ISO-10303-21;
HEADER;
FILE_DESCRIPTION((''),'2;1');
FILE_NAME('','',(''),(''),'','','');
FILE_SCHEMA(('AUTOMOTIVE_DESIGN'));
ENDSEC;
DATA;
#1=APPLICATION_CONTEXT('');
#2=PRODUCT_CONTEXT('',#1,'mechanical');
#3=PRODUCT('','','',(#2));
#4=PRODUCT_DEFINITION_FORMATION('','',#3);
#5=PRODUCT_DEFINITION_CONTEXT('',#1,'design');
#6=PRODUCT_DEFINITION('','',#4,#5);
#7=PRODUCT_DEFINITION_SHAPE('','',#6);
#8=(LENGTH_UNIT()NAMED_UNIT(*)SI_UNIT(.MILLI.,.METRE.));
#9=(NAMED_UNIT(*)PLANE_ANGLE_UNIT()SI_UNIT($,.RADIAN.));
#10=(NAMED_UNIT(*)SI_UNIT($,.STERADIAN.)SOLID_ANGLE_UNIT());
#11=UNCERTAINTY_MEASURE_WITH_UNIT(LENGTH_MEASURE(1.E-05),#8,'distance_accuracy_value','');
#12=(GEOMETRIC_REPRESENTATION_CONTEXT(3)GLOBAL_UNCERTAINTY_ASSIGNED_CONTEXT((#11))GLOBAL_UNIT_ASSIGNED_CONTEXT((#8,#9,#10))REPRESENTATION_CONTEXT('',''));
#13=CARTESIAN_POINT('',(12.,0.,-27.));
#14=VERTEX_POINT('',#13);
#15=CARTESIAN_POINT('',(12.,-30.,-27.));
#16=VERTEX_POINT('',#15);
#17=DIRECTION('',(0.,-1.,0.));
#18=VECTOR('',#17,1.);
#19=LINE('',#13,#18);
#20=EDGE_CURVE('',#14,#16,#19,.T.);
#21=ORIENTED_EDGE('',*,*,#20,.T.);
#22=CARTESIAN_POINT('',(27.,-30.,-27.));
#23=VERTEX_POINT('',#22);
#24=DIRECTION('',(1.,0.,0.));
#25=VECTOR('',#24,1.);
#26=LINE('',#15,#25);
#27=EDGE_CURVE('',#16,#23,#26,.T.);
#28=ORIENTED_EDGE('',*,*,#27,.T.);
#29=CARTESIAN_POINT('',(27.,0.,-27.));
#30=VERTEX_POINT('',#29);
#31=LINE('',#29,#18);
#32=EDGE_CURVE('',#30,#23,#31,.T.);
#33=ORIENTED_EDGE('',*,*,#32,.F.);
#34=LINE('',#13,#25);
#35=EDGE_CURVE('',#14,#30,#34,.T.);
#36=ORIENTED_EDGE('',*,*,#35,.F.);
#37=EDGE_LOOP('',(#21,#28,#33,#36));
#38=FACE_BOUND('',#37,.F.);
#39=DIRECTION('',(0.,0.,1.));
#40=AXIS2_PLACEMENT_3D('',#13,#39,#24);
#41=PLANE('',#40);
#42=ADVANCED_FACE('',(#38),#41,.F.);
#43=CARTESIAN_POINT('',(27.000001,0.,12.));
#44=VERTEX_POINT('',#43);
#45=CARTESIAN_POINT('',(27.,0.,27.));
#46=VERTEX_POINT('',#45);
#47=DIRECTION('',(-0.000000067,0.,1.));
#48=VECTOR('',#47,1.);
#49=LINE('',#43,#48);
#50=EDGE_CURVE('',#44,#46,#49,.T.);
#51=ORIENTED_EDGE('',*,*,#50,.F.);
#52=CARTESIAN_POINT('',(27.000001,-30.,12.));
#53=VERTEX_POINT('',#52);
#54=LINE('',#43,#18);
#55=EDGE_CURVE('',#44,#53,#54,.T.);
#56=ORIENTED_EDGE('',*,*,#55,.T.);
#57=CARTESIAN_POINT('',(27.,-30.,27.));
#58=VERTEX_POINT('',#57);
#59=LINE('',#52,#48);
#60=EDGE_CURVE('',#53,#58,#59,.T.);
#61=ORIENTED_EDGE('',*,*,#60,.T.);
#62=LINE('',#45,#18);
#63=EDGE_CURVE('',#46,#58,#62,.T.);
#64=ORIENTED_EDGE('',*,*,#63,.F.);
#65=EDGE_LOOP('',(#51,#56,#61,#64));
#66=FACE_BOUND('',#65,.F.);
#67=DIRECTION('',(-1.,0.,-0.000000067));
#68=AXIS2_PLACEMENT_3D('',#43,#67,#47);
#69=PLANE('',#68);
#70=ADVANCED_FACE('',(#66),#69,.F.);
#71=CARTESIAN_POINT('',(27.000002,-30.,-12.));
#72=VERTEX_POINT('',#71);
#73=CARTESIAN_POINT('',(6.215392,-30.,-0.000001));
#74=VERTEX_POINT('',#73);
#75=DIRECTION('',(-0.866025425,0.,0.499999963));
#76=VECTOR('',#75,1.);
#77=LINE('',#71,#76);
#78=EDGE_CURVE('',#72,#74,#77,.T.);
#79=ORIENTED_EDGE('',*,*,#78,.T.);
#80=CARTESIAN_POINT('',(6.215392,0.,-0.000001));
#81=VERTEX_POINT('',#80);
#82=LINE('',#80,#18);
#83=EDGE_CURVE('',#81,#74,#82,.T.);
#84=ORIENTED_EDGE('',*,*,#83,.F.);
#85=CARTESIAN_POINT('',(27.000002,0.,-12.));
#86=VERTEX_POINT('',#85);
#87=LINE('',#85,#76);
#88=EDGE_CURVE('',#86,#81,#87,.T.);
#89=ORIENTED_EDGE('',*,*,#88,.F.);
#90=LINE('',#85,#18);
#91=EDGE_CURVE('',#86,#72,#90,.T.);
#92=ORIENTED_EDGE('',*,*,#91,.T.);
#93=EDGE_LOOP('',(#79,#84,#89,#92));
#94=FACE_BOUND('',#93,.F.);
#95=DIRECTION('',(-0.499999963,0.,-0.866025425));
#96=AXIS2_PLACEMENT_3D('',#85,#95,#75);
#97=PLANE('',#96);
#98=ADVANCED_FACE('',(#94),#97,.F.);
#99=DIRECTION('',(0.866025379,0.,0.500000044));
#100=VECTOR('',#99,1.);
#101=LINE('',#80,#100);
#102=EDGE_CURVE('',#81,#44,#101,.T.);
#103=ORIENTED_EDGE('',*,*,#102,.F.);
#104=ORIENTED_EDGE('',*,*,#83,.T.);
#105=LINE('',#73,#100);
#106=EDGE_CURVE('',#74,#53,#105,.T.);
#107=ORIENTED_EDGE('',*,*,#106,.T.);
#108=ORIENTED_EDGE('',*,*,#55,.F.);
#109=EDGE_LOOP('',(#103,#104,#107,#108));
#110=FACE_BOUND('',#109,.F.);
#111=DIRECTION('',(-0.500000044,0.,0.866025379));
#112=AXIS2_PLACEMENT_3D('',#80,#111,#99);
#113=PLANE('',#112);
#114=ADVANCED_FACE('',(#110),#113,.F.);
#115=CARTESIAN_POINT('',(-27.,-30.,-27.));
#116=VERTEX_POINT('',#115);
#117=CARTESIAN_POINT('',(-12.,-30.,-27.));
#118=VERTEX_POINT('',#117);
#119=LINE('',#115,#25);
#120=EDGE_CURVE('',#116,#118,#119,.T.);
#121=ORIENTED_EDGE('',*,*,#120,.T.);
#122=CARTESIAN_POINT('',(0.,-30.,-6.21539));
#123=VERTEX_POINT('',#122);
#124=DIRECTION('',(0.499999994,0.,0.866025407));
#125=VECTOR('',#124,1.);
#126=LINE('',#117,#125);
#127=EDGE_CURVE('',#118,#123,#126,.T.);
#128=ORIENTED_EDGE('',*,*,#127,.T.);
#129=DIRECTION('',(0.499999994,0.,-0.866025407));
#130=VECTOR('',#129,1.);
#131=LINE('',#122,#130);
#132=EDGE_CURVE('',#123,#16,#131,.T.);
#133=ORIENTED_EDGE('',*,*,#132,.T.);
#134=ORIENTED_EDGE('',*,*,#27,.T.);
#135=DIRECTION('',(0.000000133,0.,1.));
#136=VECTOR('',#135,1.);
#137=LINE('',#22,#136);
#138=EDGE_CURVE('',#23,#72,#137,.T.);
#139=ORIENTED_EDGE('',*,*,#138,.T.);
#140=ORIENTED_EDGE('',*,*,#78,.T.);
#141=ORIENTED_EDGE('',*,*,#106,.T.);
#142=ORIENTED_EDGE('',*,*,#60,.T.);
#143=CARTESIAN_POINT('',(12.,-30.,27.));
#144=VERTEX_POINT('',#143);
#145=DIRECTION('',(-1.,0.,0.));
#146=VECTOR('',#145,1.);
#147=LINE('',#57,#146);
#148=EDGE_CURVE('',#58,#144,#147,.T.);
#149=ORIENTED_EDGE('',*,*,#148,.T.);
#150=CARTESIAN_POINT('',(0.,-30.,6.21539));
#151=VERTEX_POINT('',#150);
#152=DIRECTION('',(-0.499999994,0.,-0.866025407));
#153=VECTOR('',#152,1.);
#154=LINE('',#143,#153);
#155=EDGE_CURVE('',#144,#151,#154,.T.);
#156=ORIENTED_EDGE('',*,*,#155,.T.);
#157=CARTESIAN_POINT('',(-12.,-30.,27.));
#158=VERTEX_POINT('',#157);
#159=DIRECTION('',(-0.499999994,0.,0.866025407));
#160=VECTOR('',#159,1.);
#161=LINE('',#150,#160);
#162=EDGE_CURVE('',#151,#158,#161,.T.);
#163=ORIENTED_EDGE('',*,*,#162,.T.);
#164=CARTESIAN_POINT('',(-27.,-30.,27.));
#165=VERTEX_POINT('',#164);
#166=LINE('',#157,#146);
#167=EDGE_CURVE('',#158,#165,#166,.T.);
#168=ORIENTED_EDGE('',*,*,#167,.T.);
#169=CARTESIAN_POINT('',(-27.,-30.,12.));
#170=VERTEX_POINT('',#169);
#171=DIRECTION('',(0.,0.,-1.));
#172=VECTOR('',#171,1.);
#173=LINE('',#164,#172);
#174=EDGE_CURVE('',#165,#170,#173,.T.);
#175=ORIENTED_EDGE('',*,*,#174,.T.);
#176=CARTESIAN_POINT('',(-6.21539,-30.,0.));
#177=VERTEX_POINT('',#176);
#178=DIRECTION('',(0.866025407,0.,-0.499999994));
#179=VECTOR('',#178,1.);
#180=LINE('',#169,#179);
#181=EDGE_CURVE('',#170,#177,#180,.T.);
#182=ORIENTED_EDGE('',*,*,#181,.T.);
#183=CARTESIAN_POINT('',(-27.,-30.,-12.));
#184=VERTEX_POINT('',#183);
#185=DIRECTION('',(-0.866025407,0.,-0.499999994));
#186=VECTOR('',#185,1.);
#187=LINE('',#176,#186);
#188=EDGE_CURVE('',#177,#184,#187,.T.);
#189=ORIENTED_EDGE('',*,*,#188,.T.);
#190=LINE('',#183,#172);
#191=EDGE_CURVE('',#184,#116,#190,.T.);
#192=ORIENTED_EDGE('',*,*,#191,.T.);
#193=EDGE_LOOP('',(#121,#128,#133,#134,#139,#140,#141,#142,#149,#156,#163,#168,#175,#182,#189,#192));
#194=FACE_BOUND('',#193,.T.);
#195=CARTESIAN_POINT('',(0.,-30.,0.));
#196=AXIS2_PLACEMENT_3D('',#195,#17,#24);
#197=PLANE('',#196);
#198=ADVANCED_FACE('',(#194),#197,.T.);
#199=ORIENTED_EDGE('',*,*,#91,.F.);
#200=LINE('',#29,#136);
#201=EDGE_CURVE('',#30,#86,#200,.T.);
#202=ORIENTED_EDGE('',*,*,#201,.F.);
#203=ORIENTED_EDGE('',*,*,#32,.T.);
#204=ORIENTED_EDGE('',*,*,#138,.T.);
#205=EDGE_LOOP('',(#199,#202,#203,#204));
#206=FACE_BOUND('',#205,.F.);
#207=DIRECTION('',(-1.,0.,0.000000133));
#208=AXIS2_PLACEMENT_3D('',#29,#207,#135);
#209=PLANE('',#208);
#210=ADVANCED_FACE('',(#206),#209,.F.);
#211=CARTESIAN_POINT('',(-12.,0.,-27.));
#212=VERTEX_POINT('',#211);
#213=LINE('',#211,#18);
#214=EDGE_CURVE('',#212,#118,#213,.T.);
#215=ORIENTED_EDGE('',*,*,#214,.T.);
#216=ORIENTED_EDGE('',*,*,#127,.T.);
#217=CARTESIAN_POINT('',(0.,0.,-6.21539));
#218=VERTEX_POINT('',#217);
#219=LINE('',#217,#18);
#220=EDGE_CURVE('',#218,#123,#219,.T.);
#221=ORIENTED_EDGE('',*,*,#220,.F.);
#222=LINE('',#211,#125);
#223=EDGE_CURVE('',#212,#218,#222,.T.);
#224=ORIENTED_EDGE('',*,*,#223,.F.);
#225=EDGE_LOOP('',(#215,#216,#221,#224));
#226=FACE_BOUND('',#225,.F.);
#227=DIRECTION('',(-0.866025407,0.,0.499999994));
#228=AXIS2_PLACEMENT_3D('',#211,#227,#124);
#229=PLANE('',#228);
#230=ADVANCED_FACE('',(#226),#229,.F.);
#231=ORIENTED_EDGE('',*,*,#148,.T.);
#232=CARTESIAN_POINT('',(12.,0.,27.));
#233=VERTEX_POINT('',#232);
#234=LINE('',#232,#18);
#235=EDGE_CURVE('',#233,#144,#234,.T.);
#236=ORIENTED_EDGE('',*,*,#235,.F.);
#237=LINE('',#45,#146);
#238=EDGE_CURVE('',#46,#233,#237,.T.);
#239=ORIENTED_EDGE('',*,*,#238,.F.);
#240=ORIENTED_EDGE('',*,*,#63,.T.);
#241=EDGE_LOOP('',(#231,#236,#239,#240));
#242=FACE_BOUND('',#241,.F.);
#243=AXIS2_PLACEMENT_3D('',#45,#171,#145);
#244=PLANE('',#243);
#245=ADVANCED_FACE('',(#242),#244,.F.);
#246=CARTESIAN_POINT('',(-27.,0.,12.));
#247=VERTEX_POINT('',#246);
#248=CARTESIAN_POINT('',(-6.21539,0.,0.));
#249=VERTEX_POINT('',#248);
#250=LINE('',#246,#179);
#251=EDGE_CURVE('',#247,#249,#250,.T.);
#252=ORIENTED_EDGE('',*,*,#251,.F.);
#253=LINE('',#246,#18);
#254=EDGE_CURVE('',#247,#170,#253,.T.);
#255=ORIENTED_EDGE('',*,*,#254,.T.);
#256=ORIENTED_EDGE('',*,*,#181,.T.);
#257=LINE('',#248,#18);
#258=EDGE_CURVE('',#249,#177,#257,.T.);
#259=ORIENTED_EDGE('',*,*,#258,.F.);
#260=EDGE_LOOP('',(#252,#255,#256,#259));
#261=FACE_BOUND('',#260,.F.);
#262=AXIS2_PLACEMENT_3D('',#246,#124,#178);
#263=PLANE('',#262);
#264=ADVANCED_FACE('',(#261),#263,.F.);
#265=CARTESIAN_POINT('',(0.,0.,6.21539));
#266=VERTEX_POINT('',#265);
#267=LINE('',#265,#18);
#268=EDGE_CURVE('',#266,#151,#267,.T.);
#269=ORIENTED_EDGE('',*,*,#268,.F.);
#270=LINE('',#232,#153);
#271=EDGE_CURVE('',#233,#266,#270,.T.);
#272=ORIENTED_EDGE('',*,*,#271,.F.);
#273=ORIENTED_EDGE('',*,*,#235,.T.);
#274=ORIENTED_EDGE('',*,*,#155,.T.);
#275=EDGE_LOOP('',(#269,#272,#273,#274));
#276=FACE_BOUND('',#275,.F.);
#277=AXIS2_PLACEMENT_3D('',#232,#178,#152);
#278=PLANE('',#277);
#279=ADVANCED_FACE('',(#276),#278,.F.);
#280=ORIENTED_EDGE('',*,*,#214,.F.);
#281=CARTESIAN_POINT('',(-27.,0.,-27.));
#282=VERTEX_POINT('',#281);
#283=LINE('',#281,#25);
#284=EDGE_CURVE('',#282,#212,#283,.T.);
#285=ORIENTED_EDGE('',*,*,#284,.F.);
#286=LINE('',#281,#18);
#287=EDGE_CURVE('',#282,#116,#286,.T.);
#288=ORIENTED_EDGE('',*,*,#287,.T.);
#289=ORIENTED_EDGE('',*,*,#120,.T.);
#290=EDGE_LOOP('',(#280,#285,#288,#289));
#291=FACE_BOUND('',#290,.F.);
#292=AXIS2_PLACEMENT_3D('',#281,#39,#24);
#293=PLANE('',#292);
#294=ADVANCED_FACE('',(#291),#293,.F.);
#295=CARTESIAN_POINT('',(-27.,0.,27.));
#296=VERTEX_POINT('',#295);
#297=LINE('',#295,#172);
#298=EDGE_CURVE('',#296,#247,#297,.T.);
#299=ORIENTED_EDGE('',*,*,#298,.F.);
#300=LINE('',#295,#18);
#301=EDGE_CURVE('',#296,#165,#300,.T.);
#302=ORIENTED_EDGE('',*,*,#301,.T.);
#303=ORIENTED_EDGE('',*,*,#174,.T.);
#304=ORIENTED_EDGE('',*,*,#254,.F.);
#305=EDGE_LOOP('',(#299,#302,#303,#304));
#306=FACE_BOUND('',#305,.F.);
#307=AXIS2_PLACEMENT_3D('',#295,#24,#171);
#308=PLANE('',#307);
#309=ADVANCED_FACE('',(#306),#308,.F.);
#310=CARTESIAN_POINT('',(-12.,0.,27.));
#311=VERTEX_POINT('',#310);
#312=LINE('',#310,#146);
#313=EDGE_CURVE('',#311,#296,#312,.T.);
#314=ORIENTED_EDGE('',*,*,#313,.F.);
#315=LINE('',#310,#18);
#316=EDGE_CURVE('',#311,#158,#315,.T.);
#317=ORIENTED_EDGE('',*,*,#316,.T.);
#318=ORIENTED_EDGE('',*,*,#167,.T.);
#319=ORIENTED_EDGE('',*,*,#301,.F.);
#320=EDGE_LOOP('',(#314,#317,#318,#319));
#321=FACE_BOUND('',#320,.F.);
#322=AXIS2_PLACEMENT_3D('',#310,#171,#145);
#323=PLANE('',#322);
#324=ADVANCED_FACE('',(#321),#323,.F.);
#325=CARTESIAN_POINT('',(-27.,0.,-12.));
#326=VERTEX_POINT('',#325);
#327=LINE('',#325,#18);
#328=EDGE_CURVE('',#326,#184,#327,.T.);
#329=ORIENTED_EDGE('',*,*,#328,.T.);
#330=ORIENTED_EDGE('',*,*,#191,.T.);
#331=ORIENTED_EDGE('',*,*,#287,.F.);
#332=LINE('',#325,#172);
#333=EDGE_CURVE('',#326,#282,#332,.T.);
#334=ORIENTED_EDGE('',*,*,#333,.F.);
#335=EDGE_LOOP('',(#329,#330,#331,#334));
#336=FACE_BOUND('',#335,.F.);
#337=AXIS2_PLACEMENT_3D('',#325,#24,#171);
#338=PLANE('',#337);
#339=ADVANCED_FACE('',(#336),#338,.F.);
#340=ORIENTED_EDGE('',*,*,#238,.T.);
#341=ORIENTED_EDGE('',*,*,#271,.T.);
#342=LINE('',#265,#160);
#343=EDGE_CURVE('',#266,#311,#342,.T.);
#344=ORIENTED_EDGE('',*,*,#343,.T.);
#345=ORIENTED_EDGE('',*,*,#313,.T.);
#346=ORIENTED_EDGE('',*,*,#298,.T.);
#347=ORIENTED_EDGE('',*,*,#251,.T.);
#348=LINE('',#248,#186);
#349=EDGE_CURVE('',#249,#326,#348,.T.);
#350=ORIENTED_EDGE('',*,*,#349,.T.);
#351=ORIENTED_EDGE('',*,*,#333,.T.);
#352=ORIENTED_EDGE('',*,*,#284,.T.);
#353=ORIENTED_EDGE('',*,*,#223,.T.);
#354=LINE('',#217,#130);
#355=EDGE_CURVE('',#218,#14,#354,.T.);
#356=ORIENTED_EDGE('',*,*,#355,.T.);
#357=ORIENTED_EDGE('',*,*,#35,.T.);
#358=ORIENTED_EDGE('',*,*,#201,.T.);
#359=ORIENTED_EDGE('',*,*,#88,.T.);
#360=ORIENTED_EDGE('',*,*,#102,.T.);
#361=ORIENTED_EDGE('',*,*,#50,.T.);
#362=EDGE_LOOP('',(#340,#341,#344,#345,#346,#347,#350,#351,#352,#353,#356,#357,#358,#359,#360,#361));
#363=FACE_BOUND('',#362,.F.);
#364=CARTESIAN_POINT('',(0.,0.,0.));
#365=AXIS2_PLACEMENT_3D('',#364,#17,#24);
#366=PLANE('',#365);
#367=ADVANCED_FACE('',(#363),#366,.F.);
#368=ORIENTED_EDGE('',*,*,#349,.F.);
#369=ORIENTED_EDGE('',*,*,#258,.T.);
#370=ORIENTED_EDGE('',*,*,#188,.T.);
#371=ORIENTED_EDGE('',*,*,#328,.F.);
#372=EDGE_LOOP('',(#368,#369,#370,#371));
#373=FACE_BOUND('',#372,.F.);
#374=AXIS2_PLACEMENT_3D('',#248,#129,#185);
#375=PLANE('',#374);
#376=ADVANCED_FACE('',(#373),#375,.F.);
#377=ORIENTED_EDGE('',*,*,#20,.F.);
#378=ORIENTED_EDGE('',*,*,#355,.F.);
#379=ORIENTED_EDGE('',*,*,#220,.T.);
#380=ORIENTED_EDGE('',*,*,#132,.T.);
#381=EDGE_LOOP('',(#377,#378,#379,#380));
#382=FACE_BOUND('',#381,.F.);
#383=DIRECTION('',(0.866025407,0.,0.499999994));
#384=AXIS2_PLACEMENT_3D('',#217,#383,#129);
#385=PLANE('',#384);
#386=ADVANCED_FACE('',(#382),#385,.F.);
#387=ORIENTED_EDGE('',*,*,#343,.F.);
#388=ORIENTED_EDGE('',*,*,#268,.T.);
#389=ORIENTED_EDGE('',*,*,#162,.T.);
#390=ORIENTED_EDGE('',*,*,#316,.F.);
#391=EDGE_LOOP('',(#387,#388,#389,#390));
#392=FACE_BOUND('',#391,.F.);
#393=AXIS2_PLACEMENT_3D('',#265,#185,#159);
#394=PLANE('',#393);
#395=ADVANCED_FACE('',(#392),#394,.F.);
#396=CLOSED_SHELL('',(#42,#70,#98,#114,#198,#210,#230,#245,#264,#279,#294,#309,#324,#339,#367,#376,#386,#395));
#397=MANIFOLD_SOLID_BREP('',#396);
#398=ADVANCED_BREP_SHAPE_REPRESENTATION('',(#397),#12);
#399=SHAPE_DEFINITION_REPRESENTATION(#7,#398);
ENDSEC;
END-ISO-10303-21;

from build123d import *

# Parameters (mm, degrees)
F1_DEPTH = 30


with BuildPart() as f1:
    # F0 (on Front) → F1 (new body)
    with BuildSketch(Plane.XZ):
        Polygon((12, 27), (0, 6.21539), (-12, 27), (-27, 27), (-27, 12), (-6.21539, 0), (-27, -12), (-27, -27), (-12, -27), (0, -6.21539), (12, -27), (27, -27), (27.000002, -12), (6.215392, -1e-06), (27.000001, 12), (27, 27), align=None)
    extrude(amount=F1_DEPTH)


solid = f1.part
